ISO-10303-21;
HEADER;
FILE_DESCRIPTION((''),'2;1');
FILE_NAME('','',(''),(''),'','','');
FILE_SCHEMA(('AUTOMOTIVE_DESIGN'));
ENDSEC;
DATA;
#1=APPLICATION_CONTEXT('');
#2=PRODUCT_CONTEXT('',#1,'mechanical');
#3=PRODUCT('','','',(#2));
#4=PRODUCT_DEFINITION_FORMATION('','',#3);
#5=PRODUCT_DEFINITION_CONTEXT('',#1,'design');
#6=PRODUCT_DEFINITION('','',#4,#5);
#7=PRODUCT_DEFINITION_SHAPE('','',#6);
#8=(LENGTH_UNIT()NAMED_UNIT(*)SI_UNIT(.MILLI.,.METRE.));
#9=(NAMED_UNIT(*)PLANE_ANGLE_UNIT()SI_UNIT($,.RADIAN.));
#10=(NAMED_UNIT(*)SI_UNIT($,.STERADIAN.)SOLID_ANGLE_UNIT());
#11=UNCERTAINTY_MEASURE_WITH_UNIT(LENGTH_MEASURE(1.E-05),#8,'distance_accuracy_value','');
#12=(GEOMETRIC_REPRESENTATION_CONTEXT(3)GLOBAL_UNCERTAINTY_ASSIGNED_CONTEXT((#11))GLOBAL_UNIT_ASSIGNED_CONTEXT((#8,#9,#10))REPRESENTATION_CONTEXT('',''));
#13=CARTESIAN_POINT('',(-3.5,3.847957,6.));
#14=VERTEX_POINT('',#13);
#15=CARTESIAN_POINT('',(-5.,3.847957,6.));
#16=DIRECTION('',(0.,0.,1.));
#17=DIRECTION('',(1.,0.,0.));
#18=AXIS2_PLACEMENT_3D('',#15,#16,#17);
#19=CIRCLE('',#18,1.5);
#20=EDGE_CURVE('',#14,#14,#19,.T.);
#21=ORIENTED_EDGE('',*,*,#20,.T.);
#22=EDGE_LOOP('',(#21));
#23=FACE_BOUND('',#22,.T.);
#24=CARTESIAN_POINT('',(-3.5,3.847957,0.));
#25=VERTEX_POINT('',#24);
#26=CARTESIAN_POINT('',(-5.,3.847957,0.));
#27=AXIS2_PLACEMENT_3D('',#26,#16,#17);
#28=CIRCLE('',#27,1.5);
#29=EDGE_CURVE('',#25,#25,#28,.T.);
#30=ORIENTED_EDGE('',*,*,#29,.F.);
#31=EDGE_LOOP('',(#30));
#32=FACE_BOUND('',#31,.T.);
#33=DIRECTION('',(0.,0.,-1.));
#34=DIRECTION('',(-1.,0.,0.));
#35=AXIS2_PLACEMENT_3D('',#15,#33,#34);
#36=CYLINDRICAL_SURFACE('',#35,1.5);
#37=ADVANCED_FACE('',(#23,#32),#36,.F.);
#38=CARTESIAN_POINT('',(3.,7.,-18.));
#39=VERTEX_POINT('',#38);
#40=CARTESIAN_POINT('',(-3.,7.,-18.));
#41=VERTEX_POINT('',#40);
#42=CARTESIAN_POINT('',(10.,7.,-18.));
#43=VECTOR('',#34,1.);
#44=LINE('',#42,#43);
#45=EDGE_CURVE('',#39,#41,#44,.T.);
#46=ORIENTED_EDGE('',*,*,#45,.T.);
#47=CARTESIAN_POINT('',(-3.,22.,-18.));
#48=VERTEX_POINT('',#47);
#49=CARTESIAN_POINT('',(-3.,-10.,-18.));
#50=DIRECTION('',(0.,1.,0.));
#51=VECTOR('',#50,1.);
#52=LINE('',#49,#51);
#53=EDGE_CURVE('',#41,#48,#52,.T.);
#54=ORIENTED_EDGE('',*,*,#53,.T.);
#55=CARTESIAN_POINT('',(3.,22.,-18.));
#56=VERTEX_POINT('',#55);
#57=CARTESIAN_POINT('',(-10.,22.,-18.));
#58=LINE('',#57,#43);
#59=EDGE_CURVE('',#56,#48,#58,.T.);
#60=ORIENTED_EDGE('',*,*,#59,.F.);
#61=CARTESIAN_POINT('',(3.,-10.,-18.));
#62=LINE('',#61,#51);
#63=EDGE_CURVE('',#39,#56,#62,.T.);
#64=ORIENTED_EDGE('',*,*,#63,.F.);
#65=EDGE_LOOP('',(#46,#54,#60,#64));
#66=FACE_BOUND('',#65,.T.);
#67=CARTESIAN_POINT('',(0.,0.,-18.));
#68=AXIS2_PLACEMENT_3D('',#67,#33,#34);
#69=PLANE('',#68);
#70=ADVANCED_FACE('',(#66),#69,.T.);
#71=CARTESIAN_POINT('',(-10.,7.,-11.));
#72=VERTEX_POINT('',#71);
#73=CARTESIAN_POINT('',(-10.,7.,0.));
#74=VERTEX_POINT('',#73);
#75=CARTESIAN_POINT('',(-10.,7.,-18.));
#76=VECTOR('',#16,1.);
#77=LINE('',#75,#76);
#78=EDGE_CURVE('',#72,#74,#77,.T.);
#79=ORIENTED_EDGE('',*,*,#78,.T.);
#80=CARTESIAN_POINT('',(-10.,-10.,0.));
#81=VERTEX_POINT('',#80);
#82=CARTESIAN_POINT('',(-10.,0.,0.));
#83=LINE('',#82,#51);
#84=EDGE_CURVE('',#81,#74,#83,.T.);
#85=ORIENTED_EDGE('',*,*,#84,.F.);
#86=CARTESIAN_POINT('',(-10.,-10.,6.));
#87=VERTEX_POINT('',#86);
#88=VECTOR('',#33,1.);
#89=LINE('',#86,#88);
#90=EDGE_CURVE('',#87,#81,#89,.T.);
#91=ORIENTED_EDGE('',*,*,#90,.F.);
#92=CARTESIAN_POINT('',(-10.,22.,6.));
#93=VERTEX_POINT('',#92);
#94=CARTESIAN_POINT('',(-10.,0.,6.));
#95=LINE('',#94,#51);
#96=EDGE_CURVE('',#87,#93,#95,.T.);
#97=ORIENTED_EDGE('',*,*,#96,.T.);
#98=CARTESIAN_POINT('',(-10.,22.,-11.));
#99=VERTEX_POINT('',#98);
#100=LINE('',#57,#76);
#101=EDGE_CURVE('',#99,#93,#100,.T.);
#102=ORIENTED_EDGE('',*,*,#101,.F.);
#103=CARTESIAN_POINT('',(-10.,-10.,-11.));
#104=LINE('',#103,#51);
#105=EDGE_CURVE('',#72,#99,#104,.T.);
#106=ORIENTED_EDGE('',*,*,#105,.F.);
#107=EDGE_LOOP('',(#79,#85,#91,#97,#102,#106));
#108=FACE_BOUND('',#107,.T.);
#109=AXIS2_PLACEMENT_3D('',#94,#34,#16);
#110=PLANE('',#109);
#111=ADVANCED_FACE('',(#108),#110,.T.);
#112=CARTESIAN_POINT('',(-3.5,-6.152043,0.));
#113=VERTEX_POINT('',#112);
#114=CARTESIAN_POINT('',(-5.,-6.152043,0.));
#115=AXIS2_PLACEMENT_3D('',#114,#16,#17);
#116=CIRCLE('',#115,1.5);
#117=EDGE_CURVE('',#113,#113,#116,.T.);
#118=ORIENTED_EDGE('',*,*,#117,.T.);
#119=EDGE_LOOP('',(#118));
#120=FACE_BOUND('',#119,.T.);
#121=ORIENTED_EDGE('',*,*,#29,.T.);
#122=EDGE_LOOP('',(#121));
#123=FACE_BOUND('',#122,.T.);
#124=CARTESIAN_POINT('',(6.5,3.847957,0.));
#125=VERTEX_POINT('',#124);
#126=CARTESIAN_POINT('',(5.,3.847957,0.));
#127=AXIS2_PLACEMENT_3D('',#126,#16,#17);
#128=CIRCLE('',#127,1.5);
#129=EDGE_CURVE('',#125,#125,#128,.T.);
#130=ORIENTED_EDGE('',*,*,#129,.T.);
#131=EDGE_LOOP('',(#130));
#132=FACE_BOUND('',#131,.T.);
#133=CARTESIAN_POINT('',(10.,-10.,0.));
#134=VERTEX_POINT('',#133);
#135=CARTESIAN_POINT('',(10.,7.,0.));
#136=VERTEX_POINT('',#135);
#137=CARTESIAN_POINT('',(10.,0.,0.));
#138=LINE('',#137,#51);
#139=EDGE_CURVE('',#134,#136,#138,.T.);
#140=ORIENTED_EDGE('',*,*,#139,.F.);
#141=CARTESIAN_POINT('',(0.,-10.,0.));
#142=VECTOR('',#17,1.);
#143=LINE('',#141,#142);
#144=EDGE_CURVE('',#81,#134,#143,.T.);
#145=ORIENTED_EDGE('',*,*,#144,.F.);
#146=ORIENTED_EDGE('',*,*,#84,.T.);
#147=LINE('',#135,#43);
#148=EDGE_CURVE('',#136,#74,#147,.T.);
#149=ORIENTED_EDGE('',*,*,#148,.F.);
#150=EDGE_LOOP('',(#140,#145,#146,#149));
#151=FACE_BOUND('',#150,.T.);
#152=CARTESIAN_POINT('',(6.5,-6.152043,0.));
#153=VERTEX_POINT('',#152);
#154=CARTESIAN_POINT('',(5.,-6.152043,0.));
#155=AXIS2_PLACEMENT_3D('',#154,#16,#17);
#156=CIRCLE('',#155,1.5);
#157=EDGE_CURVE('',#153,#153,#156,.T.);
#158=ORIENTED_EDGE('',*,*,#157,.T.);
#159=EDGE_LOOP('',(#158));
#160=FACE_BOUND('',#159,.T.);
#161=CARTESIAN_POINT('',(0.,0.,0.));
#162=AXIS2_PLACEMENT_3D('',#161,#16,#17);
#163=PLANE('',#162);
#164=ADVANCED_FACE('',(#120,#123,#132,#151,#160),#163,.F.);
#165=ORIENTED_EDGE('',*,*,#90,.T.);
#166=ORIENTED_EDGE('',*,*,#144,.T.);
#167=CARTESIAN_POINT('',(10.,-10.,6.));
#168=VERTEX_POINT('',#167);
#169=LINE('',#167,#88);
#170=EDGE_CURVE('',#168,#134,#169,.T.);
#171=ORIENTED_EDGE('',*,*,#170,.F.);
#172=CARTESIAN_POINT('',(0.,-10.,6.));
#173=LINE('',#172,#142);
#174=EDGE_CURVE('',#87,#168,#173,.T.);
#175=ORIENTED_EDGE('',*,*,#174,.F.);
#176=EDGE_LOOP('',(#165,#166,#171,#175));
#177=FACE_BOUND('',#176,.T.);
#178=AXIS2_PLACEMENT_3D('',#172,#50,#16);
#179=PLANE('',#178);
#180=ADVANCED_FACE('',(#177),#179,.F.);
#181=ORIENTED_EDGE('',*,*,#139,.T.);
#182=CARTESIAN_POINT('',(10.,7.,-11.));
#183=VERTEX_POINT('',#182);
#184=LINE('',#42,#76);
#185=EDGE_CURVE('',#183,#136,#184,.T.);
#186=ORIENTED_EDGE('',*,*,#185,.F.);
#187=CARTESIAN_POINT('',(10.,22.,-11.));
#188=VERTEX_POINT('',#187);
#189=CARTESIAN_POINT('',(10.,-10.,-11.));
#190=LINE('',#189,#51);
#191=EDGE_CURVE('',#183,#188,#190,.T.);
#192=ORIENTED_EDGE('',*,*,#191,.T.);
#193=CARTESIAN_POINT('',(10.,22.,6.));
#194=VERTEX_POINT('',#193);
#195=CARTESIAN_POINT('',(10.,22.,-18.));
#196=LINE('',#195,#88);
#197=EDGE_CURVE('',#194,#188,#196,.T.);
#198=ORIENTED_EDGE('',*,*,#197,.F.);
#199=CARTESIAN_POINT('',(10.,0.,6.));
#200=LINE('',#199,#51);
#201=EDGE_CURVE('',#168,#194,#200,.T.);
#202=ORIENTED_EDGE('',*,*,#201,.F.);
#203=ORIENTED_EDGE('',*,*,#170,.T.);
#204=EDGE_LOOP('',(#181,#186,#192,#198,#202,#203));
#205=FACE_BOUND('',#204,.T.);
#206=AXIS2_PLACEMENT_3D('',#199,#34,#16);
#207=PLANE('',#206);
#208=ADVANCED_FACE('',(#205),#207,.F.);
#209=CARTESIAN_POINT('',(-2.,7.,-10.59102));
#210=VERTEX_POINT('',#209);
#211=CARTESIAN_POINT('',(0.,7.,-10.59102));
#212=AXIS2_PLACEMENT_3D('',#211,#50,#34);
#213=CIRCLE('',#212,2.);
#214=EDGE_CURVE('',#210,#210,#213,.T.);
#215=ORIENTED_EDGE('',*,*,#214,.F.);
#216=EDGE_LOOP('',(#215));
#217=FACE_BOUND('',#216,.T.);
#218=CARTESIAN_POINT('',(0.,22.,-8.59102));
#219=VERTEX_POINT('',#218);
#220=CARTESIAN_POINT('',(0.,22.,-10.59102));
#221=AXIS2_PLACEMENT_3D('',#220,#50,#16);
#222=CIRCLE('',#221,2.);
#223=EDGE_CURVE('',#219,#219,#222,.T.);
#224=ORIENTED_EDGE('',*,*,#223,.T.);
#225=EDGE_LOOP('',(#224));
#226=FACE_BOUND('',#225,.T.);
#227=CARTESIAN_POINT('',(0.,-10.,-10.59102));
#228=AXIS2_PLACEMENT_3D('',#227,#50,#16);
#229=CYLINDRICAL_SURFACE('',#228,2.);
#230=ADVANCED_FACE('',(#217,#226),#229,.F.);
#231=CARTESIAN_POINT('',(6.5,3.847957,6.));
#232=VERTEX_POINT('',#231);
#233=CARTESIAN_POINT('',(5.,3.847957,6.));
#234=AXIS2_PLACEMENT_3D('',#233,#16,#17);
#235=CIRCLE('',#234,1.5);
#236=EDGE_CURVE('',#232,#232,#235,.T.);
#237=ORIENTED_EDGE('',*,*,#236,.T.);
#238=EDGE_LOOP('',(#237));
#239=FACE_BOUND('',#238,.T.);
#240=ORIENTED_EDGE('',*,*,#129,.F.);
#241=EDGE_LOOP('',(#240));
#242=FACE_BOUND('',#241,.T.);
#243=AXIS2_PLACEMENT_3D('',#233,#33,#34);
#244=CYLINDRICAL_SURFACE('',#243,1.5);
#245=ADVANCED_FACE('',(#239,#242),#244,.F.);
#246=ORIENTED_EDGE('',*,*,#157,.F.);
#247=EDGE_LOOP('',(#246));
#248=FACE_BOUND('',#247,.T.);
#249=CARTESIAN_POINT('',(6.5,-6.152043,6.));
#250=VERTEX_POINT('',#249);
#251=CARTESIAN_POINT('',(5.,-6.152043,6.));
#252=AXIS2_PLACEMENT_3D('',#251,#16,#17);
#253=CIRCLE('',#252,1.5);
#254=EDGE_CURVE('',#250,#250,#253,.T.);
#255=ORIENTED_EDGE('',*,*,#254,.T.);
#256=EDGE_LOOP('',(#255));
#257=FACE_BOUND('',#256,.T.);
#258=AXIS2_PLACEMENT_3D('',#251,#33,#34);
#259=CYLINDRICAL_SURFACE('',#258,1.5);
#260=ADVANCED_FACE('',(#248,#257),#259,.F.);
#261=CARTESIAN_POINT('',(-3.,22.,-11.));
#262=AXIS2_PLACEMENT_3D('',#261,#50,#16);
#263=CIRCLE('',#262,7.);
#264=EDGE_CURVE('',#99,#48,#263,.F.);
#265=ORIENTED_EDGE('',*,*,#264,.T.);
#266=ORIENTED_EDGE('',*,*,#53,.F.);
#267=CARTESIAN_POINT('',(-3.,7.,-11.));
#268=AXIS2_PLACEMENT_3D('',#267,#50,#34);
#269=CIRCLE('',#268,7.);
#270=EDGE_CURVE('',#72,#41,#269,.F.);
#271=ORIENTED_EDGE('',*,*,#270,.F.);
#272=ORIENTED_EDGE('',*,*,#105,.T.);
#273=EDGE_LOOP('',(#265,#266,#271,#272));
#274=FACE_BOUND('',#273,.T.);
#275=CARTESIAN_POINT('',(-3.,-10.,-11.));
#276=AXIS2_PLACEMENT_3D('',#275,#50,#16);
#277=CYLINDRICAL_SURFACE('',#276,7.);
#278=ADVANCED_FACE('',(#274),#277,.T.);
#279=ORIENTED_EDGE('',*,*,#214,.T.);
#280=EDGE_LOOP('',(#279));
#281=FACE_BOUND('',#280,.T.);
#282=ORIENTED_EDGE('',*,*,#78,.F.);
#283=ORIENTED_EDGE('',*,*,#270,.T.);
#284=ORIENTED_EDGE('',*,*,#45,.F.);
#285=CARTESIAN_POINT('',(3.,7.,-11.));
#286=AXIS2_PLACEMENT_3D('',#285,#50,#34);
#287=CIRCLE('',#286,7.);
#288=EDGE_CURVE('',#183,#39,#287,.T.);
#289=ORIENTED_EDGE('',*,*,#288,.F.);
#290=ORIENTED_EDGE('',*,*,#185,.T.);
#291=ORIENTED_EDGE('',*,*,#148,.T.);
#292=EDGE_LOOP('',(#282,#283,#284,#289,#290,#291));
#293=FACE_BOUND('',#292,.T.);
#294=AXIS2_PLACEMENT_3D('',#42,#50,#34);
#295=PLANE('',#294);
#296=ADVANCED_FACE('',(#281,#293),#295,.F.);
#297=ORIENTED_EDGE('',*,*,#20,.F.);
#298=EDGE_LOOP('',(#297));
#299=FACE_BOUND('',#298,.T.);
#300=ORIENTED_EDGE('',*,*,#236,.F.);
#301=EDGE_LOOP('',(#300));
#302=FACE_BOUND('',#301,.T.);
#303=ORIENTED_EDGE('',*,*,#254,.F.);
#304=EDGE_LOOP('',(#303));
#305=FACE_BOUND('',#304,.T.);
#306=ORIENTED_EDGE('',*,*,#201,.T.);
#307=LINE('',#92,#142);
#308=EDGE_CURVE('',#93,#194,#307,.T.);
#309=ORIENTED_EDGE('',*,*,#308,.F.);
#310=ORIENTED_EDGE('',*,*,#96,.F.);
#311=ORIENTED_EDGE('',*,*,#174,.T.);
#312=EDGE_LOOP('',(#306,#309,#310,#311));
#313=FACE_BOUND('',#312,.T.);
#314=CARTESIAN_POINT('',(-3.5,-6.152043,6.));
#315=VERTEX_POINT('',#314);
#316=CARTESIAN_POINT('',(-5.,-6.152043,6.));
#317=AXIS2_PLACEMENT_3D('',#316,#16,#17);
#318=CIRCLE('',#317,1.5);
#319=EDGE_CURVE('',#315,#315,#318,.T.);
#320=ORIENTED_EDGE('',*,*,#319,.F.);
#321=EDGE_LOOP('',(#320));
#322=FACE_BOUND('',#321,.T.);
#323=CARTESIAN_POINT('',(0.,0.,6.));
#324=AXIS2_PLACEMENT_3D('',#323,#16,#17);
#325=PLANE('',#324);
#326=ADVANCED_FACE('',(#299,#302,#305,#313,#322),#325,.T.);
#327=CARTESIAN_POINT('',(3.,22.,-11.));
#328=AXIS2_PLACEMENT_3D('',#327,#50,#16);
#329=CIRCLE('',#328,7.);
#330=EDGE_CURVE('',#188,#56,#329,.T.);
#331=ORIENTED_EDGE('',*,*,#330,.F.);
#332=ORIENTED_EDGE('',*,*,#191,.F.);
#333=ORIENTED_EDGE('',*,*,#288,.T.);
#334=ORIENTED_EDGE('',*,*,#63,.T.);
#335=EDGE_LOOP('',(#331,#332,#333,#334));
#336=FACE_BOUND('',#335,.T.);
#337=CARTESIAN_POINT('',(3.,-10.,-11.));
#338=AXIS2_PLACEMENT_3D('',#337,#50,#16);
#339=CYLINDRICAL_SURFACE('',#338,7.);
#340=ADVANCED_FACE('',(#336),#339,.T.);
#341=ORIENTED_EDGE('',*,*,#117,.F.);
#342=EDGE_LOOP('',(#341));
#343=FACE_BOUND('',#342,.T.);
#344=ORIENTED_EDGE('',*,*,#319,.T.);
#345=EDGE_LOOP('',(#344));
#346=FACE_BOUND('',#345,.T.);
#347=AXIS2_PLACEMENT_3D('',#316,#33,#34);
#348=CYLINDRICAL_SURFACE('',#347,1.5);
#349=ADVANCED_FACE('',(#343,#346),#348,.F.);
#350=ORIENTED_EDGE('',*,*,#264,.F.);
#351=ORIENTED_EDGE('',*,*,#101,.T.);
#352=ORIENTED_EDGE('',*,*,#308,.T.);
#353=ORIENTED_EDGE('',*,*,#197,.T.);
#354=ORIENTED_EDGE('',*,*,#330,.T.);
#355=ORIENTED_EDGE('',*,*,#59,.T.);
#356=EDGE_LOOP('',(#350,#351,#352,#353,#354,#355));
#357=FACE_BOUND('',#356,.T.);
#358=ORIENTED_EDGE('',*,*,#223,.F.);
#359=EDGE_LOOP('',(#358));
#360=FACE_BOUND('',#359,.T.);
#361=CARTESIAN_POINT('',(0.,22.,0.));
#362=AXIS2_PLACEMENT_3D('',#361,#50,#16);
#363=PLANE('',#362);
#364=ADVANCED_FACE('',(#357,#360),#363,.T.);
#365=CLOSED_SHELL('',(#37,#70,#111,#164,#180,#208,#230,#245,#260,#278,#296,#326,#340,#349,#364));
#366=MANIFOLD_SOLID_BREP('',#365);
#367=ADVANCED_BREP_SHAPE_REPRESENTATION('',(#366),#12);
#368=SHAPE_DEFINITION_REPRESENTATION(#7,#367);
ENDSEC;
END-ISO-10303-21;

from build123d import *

# Parameters (mm, degrees)
SKETCH_1_W          = 20
SKETCH_1_H          = 20
SKETCH_1_R          = 1.5
EXTRUDE_1_DEPTH     = 6
SKETCH_2_W          = 20
SKETCH_2_H          = 3
EXTRUDE_2_DEPTH     = 18
SKETCH_3_W          = 20
SKETCH_3_H          = 24
EXTRUDE_3_DEPTH     = 12
CUT_EXTRUDE_1_DEPTH = 39.052595181


with BuildPart() as part:
    # Эскиз1 → Бобышка-Вытянуть1 (new body)
    with BuildSketch(Plane.XY):
        Rectangle(SKETCH_1_W, SKETCH_1_H)
        with Locations((-5, -6.152042824)):
            Circle(SKETCH_1_R, mode=Mode.SUBTRACT)
        with Locations((-5, 3.847957176)):
            Circle(SKETCH_1_R, mode=Mode.SUBTRACT)
        with Locations((5, 3.847957176)):
            Circle(SKETCH_1_R, mode=Mode.SUBTRACT)
        with Locations((5, -6.152042824)):
            Circle(SKETCH_1_R, mode=Mode.SUBTRACT)
    extrude(amount=EXTRUDE_1_DEPTH)

    # Эскиз2 → Бобышка-Вытянуть2 (add)
    with BuildSketch(Plane(origin=(0, 0, 0), x_dir=(-1, 0, 0), z_dir=(0, 0, -1))):
        with Locations((0, 8.5)):
            Rectangle(SKETCH_2_W, SKETCH_2_H)
    extrude(amount=EXTRUDE_2_DEPTH)

    # Эскиз3 → Бобышка-Вытянуть3 (add)
    with BuildSketch(Plane(origin=(0, 10, 0), x_dir=(1, 0, 0), z_dir=(0, 1, 0))):
        with Locations((0, 6)):
            Rectangle(SKETCH_3_W, SKETCH_3_H)
    extrude(amount=EXTRUDE_3_DEPTH)

    # Эскиз4 → Вырез-Вытянуть1 (cut, through all)
    with BuildSketch(Plane(origin=(0, 22, 0), x_dir=(1, 0, 0), z_dir=(0, 1, 0))):
        with BuildLine():
            Line((-10, 18), (-10, 11))
            ThreePointArc((-10, 11), (-7.949747468, 15.949747468), (-3, 18))
            Line((-3, 18), (-10, 18))
        make_face()
        with BuildLine():
            ThreePointArc((0, 12.591020059), (-2, 10.591020059), (0, 8.591020059))
            Line((0, 8.591020059), (0, 12.591020059))
        make_face()
        with BuildLine():
            Line((0, 12.591020059), (0, 8.591020059))
            ThreePointArc((0, 8.591020059), (1.414213562, 9.176806496), (2, 10.591020059))
            ThreePointArc((2, 10.591020059), (1.414213562, 12.005233621), (0, 12.591020059))
        make_face()
        with BuildLine():
            ThreePointArc((3, 18), (7.949747468, 15.949747468), (10, 11))
            Line((10, 11), (10, 18))
            Line((10, 18), (3, 18))
        make_face()
    extrude(amount=-CUT_EXTRUDE_1_DEPTH, mode=Mode.SUBTRACT)


solid = part.part
